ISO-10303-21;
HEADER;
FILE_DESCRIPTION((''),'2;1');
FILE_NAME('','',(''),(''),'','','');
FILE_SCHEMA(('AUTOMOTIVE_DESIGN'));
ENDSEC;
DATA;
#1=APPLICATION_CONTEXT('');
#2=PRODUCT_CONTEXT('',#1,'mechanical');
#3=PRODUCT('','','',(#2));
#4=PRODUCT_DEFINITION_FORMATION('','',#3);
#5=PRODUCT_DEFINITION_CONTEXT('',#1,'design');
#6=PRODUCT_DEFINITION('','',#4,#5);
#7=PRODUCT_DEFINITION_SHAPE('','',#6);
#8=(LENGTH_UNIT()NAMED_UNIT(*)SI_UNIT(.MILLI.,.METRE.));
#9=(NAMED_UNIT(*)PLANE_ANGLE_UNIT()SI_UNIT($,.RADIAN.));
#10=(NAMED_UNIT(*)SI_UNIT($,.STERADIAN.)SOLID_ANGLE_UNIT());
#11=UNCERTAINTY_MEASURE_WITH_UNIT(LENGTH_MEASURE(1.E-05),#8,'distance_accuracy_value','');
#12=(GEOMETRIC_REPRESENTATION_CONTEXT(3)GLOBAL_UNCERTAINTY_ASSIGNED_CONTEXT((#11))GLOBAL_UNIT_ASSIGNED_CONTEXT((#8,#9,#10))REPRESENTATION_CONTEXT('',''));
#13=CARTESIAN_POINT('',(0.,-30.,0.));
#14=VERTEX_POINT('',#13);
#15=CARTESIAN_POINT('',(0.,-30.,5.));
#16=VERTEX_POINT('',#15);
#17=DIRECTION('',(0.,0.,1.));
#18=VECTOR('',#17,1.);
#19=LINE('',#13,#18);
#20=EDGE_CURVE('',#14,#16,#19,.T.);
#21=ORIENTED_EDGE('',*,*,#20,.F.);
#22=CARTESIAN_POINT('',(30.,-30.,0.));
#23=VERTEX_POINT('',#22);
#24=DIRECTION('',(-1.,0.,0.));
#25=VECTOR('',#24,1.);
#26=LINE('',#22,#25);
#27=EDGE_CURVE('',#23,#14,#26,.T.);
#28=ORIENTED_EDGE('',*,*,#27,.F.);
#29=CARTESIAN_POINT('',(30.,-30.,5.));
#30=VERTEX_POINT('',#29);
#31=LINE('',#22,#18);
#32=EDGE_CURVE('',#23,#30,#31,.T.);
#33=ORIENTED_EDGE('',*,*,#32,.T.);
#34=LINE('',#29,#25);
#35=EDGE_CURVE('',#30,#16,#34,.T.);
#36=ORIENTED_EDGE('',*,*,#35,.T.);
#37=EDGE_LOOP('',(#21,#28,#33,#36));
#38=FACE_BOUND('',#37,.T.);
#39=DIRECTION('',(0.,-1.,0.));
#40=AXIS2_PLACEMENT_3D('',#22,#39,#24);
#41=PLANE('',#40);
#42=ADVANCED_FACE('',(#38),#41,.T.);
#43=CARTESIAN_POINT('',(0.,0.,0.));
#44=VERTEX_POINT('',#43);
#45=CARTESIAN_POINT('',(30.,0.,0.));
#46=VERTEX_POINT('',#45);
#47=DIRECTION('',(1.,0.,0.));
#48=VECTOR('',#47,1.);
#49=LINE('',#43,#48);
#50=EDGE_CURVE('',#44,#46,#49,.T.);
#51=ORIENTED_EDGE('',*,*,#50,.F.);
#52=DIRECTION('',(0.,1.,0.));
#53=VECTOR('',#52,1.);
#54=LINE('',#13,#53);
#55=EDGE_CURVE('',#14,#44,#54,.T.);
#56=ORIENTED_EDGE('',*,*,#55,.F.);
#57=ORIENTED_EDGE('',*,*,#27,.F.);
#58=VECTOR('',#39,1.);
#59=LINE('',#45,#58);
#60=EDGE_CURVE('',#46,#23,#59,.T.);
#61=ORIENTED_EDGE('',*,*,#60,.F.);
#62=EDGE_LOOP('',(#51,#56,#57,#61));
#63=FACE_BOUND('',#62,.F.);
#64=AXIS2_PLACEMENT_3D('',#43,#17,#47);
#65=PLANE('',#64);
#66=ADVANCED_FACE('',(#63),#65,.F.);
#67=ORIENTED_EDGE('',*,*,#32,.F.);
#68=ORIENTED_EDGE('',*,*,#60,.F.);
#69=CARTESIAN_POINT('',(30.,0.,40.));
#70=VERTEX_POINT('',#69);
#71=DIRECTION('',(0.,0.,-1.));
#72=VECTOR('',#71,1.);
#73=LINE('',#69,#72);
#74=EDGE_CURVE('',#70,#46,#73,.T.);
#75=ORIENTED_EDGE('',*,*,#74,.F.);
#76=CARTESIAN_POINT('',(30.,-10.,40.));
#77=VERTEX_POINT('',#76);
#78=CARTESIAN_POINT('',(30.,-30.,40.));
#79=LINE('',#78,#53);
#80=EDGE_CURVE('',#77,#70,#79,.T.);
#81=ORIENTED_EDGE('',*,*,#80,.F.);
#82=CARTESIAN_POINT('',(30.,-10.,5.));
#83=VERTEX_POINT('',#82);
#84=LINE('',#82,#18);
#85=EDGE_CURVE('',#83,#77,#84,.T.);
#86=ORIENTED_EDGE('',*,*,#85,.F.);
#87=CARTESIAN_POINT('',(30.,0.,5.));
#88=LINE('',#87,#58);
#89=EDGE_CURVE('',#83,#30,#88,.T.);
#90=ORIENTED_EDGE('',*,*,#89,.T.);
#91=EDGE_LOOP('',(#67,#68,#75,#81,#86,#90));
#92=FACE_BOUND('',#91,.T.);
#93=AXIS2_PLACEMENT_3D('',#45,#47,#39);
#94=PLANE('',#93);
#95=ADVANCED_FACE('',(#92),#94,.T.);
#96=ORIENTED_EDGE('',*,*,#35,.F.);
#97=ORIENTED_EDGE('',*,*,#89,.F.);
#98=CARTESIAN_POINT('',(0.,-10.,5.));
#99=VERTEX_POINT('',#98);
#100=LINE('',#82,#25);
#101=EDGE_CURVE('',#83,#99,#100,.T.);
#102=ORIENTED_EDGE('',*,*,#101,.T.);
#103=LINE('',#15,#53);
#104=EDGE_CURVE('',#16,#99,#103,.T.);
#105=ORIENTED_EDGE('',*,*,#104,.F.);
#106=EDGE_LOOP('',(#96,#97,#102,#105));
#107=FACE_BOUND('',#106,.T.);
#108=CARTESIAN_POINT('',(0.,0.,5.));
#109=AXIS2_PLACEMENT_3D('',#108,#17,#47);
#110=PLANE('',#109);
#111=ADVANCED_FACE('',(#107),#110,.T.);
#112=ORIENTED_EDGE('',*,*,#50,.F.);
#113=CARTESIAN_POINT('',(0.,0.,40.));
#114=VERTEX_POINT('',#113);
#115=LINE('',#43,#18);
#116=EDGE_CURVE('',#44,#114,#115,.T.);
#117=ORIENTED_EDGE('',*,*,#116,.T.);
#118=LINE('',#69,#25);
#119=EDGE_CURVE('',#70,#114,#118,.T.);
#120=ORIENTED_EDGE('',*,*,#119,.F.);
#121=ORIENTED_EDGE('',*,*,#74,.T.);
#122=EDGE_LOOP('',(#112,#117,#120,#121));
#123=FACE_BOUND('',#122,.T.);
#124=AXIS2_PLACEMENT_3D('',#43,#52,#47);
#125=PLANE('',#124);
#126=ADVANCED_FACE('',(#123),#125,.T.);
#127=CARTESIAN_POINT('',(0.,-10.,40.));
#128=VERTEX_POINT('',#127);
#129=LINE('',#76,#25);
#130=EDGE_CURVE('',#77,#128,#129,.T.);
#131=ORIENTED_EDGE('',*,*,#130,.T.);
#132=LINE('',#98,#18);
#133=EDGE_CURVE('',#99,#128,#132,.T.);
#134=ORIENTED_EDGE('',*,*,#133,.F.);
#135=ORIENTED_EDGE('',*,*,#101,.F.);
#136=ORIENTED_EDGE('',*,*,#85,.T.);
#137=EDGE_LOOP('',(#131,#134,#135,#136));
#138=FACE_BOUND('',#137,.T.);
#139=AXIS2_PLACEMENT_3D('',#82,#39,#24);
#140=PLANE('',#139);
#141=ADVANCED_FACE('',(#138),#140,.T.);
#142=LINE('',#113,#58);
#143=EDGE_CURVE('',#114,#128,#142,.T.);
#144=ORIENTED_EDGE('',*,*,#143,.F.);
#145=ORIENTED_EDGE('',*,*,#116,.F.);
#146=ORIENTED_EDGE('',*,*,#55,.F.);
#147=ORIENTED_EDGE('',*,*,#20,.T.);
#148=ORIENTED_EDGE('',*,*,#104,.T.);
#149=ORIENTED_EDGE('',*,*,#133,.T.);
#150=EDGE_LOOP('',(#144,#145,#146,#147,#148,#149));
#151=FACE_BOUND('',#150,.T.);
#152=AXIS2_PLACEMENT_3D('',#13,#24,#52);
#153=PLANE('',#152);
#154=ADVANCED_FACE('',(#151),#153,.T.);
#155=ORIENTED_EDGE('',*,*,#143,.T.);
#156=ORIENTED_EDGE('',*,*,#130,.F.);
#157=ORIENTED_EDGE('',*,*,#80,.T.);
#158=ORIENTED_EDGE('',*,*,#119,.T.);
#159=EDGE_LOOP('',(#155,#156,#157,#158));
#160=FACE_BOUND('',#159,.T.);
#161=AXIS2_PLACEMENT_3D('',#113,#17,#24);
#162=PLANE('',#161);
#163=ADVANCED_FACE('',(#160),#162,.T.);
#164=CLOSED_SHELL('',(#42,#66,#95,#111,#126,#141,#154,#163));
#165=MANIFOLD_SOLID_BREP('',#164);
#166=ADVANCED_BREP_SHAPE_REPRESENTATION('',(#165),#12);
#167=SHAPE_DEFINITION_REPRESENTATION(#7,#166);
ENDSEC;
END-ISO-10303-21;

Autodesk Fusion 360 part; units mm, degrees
sketch "Sketch1" plane through (0, 0, 0) normal (0, 0, 1) x (1, 0, 0)
  line L0 (0, 0) -> (30, 0)
  line L1 (30, 0) -> (30, -30)
  line L2 (30, -30) -> (0, -30)
  line L3 (0, -30) -> (0, 0)
  dimension "d5" = 30
  dimension "d6" = 30
extrude "Extrude1" add sketch "Sketch1" along normal blind 5
sketch "Sketch2" plane through (0, 0, 5) normal (0, 0, 1) x (-1, 0, 0)
  line L0 (0, 30) -> (-30, 30)
  line L1 (-30, 30) -> (-30, 0)
  line L2 (-30, 0) -> (0, 0)
  line L3 (0, 0) -> (0, 30)
  line L4 (0, 0) -> (-30, 0)
  line L5 (-30, 0) -> (-30, 10)
  line L6 (-30, 10) -> (0, 10)
  line L7 (0, 10) -> (0, 0)
  dimension "d10" = 10
  dimension "d11" = 30
extrude "Extrude2" add sketch "Sketch2" along normal blind 35 contours L1 L2 L3 L4 L5 L6 L7
equation "base_sides = 30 mm"
equation "height = 40 mm"
equation "upper_length = 30 mm"
equation "upper_width = 10 mm"
equation "d5 = base_sides"
equation "d6 = base_sides"
equation "base_height = 5 mm"
equation "d8 = base_height"
equation "d10 = upper_width"
equation "d11 = upper_length"
equation "d12 = height - base_height"
